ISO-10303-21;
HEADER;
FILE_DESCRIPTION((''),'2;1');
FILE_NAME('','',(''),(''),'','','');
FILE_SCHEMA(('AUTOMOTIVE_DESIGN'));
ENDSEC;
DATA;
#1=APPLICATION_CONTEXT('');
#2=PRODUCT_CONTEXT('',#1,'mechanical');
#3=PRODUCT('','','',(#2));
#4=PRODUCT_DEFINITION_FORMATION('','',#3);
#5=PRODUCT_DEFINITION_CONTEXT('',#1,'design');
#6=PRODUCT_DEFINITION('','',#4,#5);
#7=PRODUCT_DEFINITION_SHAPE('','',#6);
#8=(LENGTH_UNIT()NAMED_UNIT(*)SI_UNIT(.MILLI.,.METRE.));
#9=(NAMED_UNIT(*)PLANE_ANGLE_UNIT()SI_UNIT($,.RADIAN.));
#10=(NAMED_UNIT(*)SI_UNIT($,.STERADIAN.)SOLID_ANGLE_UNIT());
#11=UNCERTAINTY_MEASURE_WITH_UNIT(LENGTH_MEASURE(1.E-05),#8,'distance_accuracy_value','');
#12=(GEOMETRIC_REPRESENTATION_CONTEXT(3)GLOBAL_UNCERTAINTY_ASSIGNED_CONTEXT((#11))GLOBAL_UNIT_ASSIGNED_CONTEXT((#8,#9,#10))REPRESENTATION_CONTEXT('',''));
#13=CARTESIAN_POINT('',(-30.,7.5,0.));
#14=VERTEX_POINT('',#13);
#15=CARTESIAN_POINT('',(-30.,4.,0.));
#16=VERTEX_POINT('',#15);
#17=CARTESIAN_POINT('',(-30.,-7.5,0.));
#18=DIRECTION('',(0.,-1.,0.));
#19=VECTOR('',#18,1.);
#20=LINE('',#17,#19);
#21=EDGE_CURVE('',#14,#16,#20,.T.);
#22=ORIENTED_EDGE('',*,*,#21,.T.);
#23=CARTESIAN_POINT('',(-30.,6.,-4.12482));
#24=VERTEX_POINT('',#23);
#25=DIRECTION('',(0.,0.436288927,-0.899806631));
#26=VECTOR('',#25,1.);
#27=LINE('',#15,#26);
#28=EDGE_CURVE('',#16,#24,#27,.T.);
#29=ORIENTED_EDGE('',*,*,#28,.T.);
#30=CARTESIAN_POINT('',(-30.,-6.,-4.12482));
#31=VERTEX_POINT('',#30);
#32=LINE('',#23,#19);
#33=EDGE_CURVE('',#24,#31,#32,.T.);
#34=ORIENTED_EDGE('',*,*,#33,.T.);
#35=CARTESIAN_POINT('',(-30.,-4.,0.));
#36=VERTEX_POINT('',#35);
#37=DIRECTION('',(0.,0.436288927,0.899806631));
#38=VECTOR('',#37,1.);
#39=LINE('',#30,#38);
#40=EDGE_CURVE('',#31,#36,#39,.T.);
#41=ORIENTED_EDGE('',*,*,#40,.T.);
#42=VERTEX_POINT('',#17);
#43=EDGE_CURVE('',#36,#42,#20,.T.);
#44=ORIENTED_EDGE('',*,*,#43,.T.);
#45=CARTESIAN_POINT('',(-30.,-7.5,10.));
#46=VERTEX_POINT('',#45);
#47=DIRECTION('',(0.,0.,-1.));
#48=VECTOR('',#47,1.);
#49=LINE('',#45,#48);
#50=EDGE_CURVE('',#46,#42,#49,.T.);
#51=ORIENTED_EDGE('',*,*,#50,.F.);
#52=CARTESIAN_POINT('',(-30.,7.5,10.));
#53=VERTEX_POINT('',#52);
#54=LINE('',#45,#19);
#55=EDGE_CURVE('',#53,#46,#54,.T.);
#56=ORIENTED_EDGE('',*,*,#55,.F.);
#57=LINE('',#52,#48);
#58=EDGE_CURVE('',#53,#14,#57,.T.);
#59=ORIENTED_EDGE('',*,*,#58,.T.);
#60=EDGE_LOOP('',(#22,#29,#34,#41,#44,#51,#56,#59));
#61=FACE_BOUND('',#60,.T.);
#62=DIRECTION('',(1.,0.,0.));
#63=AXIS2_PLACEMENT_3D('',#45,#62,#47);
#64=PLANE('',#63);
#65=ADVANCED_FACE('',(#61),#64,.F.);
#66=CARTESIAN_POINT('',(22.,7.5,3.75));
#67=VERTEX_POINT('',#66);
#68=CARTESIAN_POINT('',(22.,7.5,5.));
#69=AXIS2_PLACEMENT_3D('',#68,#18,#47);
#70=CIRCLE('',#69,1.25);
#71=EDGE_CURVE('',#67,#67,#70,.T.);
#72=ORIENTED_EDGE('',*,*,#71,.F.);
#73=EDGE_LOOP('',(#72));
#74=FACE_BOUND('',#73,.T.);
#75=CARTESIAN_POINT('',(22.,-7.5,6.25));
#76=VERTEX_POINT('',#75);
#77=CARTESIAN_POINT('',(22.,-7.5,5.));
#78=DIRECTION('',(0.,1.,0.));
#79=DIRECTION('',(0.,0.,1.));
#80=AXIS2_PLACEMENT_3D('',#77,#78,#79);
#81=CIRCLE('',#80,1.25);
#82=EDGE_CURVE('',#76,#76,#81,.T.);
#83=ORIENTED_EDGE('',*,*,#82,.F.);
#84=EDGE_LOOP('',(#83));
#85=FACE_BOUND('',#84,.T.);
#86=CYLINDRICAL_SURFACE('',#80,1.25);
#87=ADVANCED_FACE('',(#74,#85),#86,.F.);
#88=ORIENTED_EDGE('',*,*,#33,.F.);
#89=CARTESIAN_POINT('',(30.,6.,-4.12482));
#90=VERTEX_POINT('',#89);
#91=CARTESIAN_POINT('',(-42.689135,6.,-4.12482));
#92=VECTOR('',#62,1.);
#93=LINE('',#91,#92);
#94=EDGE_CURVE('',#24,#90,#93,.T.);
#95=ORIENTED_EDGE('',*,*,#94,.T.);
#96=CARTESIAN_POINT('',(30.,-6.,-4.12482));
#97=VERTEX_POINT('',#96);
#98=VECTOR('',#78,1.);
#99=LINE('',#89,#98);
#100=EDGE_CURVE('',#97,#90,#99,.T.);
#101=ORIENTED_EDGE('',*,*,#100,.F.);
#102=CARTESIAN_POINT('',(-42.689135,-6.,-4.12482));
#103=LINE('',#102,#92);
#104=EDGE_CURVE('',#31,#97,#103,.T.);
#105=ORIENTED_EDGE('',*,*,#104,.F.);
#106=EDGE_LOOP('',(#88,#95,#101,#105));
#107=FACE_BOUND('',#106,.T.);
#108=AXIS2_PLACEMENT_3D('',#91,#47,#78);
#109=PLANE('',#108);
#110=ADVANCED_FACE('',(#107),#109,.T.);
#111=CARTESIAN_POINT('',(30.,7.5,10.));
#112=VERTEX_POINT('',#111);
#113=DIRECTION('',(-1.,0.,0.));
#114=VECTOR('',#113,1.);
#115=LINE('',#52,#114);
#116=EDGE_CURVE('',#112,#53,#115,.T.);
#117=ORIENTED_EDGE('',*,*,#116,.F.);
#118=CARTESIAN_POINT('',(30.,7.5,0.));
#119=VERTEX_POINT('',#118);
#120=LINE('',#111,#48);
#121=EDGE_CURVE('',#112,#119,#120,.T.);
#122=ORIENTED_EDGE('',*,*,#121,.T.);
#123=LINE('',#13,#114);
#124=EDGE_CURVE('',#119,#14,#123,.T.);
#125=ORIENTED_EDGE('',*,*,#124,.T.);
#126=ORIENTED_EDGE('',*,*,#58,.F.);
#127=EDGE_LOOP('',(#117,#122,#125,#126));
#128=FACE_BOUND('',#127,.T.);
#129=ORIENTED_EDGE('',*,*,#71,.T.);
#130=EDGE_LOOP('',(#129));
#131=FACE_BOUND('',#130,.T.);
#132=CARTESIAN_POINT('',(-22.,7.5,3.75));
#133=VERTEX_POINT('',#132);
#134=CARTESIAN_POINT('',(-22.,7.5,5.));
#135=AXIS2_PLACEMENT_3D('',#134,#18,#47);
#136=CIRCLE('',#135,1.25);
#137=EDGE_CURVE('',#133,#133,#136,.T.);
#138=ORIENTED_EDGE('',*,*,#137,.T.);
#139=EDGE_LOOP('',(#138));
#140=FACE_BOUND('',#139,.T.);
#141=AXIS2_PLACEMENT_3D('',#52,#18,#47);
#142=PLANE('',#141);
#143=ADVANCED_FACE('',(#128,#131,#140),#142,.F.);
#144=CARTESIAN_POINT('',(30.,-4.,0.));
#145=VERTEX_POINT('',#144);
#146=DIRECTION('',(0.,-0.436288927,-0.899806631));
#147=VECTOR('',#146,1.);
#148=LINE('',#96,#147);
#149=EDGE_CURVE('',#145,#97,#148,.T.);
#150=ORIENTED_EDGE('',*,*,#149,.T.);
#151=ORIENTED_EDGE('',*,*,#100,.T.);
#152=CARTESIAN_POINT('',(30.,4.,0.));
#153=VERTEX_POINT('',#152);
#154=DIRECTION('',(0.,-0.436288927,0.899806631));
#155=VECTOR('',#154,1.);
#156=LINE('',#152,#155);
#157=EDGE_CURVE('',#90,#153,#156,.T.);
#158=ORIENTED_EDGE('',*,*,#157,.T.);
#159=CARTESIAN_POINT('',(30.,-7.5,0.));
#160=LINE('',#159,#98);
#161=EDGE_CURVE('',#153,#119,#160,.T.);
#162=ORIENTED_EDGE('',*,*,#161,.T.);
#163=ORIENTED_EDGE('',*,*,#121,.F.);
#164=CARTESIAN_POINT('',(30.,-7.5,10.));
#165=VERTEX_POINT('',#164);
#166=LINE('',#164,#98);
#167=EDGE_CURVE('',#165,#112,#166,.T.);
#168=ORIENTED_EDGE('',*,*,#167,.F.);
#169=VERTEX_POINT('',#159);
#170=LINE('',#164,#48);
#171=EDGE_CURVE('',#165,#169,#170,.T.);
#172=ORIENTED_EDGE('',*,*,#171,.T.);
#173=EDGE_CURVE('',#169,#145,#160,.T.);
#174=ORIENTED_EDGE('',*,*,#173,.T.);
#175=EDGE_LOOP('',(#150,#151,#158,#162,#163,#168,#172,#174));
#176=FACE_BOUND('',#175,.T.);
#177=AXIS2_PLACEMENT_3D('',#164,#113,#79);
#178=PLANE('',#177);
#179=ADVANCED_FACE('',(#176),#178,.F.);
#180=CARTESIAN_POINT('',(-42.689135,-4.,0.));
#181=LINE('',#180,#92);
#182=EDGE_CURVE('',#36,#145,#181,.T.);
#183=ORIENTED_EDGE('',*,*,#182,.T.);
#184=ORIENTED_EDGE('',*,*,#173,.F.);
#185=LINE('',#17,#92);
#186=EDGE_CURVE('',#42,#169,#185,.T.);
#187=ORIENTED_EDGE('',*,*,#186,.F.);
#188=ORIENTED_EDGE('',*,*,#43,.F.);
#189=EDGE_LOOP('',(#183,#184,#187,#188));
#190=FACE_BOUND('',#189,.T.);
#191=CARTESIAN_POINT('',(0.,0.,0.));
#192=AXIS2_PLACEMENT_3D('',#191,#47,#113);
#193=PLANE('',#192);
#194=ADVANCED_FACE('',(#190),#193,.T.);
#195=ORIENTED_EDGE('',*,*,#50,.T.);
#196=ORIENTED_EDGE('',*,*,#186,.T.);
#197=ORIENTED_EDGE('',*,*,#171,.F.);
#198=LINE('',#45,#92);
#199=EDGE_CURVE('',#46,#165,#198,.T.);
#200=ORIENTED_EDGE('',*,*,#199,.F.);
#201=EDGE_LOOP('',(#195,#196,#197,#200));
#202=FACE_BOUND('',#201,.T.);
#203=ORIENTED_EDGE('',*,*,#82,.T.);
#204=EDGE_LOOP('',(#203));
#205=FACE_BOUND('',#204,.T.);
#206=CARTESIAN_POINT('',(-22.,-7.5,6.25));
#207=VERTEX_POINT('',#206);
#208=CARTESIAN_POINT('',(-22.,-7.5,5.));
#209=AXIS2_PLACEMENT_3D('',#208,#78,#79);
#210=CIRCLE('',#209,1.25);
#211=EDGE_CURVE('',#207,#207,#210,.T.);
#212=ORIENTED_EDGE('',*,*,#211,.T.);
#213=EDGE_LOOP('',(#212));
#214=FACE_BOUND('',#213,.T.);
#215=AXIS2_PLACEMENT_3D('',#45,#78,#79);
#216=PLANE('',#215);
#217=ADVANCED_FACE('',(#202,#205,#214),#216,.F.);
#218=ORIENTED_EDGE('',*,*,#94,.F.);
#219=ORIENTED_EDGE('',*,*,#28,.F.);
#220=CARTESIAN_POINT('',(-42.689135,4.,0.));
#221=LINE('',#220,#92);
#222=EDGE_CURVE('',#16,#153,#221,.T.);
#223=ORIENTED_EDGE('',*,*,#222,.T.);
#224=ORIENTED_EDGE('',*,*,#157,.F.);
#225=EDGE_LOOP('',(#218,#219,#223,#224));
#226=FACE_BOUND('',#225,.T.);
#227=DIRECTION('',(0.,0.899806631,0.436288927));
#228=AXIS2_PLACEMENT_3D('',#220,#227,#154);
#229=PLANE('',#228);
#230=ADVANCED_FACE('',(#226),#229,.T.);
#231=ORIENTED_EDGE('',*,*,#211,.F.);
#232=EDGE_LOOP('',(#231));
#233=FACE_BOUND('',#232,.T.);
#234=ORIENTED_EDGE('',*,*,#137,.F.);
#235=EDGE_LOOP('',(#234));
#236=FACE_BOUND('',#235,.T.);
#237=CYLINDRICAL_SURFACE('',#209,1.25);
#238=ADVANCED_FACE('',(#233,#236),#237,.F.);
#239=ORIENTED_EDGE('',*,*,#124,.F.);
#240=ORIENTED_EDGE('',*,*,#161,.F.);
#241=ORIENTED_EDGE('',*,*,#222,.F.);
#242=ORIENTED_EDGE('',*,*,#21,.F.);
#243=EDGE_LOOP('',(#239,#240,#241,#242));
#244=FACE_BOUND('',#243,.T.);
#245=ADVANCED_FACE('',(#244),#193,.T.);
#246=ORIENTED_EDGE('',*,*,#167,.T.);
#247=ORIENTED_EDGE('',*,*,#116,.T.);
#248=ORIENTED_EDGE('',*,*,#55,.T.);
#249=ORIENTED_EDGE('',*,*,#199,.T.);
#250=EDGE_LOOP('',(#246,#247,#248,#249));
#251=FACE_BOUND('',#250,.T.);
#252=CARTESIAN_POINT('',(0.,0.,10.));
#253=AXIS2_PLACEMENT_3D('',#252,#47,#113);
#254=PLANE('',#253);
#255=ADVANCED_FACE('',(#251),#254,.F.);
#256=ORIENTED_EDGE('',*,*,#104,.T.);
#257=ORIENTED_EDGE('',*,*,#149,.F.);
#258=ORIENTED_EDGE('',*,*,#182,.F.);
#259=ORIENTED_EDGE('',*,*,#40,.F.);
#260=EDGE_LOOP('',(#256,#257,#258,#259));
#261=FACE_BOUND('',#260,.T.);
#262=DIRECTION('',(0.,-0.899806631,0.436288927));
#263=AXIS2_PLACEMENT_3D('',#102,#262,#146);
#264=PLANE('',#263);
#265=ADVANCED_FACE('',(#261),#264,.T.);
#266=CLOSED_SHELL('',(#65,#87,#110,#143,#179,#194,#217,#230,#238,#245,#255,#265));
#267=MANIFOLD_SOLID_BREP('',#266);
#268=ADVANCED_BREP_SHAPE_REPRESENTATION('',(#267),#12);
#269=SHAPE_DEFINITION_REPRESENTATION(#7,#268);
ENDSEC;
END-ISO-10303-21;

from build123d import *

# Parameters (mm, degrees)
SKETCH1_W               = 60
SKETCH1_H               = 15
BOSS_EXTRUDE1_DEPTH     = 10
BOSS_EXTRUDE2_DEPTH     = 60
SKETCH3_R               = 1.25
CUT_EXTRUDE1_DEPTH      = 1
CUT_EXTRUDE1_DEPTH_BACK = 16


with BuildPart() as part:
    # Sketch1 → Boss-Extrude1 (new body)
    with BuildSketch(Plane.XY):
        Rectangle(SKETCH1_W, SKETCH1_H)
    extrude(amount=BOSS_EXTRUDE1_DEPTH)

    # Sketch2 → Boss-Extrude2 (add)
    with BuildSketch(Plane(origin=(30, 0, 0), x_dir=(0, 0, -1), z_dir=(1, 0, 0))):
        Polygon((0, 4), (4.124819933, 6), (4.124819933, -6), (0, -4), align=None)
    extrude(amount=-BOSS_EXTRUDE2_DEPTH)

    # Sketch3 → Cut-Extrude1 (cut, two sides)
    with BuildSketch(Plane(origin=(0, 7.5, 0), x_dir=(1, 0, 0), z_dir=(0, 1, 0))) as cut_extrude1_sk:
        with Locations((-22, -5)):
            Circle(SKETCH3_R)
        with Locations((22, -5)):
            Circle(SKETCH3_R)
    extrude(amount=CUT_EXTRUDE1_DEPTH, mode=Mode.SUBTRACT)
    extrude(cut_extrude1_sk.sketch, amount=-CUT_EXTRUDE1_DEPTH_BACK, mode=Mode.SUBTRACT)


solid = part.part
